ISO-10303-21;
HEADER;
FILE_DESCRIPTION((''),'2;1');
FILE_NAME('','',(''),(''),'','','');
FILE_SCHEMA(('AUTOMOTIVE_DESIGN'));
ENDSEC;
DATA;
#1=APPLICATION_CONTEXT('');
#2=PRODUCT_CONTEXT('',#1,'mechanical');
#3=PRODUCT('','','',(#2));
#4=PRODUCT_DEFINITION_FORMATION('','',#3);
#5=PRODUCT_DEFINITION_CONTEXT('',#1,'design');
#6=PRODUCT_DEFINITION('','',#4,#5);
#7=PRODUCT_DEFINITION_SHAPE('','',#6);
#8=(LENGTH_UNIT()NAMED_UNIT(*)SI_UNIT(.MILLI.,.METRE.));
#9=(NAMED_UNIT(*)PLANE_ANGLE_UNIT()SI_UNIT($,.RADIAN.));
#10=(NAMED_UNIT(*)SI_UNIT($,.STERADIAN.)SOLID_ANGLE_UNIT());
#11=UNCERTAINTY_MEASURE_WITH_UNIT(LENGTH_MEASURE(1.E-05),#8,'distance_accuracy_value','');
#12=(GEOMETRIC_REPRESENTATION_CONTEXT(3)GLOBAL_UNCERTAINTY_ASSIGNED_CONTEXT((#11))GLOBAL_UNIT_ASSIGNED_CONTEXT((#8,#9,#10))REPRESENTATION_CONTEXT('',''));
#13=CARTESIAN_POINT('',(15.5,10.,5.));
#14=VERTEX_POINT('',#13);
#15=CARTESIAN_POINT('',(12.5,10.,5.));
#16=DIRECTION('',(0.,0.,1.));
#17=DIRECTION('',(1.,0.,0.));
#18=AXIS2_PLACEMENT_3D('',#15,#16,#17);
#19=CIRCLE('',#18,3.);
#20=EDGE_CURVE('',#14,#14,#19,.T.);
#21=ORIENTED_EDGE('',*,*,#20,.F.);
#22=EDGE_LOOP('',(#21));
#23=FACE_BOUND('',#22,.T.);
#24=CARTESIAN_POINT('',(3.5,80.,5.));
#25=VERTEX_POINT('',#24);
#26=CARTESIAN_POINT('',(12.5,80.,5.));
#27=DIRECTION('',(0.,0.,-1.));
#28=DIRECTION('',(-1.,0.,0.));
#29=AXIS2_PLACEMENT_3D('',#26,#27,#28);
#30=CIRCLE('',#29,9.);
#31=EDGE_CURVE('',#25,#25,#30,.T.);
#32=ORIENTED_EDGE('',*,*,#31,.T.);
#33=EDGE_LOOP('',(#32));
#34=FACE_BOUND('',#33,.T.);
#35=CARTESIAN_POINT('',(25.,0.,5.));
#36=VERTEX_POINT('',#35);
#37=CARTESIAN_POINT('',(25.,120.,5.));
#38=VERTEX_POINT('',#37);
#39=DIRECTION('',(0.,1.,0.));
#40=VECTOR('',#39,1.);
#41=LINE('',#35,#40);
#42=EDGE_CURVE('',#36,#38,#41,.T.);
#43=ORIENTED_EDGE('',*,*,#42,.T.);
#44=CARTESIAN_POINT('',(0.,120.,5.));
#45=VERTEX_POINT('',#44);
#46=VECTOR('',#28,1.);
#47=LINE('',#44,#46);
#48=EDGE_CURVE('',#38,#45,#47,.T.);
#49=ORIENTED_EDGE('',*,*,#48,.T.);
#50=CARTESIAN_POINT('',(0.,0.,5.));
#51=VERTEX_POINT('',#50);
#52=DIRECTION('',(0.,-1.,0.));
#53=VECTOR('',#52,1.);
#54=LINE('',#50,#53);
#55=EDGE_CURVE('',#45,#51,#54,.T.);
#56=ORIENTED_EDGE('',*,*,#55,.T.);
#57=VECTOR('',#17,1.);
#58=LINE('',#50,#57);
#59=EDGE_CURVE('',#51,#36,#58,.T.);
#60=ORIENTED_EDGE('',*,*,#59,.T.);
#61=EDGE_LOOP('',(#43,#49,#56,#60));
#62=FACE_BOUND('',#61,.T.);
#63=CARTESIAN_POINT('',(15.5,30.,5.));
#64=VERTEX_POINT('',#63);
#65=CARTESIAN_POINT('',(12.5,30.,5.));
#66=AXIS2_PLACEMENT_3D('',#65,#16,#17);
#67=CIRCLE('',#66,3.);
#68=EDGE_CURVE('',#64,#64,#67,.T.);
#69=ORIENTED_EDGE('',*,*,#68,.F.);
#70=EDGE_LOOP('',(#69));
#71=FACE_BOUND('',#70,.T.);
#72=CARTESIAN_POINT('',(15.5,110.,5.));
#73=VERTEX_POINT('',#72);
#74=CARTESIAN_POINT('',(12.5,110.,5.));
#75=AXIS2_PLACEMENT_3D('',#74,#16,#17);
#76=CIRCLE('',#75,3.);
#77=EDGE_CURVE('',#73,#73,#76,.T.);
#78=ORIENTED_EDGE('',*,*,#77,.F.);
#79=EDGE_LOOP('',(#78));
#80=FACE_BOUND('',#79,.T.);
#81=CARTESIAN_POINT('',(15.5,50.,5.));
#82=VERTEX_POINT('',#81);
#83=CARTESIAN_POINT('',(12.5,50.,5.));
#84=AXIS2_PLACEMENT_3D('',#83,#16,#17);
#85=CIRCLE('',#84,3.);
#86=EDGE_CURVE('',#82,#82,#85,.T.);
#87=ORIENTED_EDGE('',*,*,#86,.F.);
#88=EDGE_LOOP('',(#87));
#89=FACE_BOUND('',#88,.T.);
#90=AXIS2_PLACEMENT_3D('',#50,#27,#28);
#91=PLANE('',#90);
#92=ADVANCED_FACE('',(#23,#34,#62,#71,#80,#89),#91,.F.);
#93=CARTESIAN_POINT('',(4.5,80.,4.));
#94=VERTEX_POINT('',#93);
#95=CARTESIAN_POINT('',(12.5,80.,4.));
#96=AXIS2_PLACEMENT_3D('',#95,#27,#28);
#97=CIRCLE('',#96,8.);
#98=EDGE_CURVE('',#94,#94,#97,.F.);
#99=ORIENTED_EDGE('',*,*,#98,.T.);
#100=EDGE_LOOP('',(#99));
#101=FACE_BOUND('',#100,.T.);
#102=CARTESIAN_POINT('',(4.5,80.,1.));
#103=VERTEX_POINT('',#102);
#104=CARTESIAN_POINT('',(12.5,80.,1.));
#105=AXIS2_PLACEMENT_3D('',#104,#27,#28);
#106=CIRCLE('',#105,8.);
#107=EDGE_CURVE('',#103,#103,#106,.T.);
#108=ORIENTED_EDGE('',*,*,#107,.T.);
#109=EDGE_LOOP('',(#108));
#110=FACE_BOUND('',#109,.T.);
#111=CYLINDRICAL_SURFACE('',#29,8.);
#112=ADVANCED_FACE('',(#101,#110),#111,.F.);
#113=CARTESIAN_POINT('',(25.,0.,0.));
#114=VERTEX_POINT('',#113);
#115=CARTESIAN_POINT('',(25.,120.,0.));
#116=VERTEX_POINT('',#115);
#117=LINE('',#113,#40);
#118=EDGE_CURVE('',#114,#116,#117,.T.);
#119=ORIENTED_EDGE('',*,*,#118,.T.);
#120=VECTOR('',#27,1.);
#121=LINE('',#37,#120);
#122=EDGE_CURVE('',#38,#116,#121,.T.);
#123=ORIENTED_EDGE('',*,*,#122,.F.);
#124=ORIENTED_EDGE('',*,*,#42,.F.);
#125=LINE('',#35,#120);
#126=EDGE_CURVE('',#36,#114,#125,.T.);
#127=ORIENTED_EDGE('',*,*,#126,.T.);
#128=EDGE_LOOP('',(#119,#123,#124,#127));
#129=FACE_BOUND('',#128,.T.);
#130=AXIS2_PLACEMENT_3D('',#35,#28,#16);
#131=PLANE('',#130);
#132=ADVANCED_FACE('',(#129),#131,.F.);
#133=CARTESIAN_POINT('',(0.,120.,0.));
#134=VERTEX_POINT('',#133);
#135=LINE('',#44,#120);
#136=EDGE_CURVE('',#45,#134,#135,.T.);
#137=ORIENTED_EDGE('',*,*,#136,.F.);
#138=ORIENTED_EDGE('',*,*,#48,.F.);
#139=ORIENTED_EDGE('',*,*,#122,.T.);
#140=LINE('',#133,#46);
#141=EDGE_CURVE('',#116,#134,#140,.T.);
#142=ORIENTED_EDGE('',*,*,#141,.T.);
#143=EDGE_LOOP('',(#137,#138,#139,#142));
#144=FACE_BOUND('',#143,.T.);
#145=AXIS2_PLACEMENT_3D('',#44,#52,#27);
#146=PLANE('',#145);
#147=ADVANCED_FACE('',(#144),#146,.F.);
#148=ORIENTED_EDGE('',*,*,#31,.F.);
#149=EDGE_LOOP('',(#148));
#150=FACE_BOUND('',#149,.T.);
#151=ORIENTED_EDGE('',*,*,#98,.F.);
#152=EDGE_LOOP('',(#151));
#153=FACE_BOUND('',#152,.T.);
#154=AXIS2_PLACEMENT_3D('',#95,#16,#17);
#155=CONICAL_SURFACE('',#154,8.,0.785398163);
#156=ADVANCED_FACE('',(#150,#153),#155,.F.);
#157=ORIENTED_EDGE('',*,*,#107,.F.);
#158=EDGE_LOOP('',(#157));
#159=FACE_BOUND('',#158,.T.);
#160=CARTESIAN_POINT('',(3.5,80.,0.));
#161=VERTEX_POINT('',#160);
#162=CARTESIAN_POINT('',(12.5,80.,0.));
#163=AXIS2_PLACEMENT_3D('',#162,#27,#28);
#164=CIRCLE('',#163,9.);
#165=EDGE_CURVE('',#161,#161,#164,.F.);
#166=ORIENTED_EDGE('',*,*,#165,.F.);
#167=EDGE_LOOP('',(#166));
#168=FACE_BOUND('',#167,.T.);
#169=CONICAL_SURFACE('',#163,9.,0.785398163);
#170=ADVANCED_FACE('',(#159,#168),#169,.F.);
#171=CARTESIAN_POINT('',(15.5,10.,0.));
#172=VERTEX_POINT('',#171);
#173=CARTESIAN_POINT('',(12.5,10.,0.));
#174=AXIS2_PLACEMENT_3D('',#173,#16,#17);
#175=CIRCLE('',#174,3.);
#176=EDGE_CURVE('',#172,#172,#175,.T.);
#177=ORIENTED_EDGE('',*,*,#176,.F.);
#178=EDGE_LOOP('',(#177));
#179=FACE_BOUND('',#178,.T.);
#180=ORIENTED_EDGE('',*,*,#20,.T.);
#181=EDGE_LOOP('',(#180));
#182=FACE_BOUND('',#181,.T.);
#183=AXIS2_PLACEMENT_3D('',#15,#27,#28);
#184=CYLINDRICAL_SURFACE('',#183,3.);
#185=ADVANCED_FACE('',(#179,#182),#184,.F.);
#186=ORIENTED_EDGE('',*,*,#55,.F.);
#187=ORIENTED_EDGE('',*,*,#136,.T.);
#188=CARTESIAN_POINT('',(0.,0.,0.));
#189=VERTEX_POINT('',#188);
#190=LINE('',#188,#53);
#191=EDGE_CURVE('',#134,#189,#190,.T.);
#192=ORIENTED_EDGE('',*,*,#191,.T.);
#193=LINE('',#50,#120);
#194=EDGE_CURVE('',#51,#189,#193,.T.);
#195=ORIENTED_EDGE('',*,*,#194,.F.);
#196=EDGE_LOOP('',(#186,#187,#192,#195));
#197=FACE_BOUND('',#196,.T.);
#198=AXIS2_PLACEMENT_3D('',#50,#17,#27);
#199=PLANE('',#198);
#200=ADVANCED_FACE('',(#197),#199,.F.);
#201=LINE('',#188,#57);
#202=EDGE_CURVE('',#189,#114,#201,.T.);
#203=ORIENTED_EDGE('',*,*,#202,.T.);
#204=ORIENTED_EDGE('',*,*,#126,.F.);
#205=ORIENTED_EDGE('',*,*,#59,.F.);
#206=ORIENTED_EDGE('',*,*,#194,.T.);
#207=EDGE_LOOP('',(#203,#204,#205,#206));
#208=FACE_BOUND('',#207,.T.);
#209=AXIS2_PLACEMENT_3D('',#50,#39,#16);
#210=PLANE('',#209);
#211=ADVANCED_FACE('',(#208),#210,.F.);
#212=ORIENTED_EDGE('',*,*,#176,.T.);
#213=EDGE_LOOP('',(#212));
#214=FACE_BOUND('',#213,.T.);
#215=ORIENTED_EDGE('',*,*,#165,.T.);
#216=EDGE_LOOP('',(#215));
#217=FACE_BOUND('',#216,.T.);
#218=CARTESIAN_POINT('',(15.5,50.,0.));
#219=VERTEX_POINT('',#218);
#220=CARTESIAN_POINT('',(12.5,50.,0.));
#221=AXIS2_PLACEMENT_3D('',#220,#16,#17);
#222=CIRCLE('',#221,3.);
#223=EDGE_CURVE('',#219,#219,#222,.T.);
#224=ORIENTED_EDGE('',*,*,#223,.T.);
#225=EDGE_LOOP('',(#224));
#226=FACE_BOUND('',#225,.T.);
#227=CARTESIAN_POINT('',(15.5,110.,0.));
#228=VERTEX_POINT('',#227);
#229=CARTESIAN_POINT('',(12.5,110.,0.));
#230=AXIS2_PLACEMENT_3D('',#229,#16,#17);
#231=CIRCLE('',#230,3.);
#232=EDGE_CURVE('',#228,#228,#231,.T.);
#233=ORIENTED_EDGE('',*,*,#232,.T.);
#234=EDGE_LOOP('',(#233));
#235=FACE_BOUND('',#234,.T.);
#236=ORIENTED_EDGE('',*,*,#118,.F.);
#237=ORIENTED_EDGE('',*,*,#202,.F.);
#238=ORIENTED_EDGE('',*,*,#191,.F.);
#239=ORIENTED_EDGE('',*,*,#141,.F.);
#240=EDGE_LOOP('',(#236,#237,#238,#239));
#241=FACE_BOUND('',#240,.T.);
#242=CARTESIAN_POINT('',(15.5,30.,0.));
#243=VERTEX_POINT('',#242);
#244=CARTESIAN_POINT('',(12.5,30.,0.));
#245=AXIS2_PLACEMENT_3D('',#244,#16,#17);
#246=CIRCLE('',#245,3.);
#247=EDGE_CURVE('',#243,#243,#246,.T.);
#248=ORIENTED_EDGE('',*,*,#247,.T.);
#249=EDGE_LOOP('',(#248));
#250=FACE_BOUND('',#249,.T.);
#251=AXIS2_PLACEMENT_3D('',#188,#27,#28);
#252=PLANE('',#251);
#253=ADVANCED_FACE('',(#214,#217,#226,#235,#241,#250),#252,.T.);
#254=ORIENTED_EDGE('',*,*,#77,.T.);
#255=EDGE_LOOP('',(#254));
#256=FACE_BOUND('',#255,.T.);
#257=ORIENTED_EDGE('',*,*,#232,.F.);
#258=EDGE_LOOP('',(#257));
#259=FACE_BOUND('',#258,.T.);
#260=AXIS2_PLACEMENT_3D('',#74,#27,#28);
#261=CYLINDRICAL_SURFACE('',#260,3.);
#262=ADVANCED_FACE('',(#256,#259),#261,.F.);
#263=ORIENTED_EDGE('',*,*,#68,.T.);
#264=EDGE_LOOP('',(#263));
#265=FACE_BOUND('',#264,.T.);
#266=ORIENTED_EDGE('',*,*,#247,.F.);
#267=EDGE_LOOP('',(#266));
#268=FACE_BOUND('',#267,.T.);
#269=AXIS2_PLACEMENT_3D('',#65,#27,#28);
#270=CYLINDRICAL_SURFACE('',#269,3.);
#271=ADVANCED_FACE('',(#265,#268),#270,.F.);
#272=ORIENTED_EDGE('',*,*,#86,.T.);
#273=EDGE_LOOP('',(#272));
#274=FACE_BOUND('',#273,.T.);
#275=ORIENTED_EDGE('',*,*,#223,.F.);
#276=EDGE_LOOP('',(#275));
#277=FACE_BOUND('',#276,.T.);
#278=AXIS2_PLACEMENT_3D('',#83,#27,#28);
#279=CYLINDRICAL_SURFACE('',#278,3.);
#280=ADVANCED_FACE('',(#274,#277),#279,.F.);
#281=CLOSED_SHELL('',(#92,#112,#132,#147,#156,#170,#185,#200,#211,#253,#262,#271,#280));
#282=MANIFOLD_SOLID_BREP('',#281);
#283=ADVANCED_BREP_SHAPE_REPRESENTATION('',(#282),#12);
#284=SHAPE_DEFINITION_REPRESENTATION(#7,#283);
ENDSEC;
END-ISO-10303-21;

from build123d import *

# Parameters (mm, degrees)
SKETCH1_W           = 25
SKETCH1_H           = 120
SKETCH1_R           = 3
SKETCH1_R_2         = 8
BOSS_EXTRUDE1_DEPTH = 5
CHAMFER1_SIZE       = 1


with BuildPart() as part:
    # Sketch1 → Boss-Extrude1 (new body)
    with BuildSketch(Plane.XY):
        with Locations((12.5, 60)):
            Rectangle(SKETCH1_W, SKETCH1_H)
        with Locations((12.5, 110)):
            Circle(SKETCH1_R, mode=Mode.SUBTRACT)
        with Locations((12.5, 80)):
            Circle(SKETCH1_R_2, mode=Mode.SUBTRACT)
        with Locations((12.5, 50)):
            Circle(SKETCH1_R, mode=Mode.SUBTRACT)
        with Locations((12.5, 30)):
            Circle(SKETCH1_R, mode=Mode.SUBTRACT)
        with Locations((12.5, 10)):
            Circle(SKETCH1_R, mode=Mode.SUBTRACT)
    extrude(amount=BOSS_EXTRUDE1_DEPTH)

    # Chamfer1
    chamfer1_edges = [part.edges().sort_by_distance(p)[0] for p in [
        (4.5, 80, 0),
        (4.5, 80, 5),
    ]]
    chamfer(chamfer1_edges, length=CHAMFER1_SIZE)


solid = part.part
